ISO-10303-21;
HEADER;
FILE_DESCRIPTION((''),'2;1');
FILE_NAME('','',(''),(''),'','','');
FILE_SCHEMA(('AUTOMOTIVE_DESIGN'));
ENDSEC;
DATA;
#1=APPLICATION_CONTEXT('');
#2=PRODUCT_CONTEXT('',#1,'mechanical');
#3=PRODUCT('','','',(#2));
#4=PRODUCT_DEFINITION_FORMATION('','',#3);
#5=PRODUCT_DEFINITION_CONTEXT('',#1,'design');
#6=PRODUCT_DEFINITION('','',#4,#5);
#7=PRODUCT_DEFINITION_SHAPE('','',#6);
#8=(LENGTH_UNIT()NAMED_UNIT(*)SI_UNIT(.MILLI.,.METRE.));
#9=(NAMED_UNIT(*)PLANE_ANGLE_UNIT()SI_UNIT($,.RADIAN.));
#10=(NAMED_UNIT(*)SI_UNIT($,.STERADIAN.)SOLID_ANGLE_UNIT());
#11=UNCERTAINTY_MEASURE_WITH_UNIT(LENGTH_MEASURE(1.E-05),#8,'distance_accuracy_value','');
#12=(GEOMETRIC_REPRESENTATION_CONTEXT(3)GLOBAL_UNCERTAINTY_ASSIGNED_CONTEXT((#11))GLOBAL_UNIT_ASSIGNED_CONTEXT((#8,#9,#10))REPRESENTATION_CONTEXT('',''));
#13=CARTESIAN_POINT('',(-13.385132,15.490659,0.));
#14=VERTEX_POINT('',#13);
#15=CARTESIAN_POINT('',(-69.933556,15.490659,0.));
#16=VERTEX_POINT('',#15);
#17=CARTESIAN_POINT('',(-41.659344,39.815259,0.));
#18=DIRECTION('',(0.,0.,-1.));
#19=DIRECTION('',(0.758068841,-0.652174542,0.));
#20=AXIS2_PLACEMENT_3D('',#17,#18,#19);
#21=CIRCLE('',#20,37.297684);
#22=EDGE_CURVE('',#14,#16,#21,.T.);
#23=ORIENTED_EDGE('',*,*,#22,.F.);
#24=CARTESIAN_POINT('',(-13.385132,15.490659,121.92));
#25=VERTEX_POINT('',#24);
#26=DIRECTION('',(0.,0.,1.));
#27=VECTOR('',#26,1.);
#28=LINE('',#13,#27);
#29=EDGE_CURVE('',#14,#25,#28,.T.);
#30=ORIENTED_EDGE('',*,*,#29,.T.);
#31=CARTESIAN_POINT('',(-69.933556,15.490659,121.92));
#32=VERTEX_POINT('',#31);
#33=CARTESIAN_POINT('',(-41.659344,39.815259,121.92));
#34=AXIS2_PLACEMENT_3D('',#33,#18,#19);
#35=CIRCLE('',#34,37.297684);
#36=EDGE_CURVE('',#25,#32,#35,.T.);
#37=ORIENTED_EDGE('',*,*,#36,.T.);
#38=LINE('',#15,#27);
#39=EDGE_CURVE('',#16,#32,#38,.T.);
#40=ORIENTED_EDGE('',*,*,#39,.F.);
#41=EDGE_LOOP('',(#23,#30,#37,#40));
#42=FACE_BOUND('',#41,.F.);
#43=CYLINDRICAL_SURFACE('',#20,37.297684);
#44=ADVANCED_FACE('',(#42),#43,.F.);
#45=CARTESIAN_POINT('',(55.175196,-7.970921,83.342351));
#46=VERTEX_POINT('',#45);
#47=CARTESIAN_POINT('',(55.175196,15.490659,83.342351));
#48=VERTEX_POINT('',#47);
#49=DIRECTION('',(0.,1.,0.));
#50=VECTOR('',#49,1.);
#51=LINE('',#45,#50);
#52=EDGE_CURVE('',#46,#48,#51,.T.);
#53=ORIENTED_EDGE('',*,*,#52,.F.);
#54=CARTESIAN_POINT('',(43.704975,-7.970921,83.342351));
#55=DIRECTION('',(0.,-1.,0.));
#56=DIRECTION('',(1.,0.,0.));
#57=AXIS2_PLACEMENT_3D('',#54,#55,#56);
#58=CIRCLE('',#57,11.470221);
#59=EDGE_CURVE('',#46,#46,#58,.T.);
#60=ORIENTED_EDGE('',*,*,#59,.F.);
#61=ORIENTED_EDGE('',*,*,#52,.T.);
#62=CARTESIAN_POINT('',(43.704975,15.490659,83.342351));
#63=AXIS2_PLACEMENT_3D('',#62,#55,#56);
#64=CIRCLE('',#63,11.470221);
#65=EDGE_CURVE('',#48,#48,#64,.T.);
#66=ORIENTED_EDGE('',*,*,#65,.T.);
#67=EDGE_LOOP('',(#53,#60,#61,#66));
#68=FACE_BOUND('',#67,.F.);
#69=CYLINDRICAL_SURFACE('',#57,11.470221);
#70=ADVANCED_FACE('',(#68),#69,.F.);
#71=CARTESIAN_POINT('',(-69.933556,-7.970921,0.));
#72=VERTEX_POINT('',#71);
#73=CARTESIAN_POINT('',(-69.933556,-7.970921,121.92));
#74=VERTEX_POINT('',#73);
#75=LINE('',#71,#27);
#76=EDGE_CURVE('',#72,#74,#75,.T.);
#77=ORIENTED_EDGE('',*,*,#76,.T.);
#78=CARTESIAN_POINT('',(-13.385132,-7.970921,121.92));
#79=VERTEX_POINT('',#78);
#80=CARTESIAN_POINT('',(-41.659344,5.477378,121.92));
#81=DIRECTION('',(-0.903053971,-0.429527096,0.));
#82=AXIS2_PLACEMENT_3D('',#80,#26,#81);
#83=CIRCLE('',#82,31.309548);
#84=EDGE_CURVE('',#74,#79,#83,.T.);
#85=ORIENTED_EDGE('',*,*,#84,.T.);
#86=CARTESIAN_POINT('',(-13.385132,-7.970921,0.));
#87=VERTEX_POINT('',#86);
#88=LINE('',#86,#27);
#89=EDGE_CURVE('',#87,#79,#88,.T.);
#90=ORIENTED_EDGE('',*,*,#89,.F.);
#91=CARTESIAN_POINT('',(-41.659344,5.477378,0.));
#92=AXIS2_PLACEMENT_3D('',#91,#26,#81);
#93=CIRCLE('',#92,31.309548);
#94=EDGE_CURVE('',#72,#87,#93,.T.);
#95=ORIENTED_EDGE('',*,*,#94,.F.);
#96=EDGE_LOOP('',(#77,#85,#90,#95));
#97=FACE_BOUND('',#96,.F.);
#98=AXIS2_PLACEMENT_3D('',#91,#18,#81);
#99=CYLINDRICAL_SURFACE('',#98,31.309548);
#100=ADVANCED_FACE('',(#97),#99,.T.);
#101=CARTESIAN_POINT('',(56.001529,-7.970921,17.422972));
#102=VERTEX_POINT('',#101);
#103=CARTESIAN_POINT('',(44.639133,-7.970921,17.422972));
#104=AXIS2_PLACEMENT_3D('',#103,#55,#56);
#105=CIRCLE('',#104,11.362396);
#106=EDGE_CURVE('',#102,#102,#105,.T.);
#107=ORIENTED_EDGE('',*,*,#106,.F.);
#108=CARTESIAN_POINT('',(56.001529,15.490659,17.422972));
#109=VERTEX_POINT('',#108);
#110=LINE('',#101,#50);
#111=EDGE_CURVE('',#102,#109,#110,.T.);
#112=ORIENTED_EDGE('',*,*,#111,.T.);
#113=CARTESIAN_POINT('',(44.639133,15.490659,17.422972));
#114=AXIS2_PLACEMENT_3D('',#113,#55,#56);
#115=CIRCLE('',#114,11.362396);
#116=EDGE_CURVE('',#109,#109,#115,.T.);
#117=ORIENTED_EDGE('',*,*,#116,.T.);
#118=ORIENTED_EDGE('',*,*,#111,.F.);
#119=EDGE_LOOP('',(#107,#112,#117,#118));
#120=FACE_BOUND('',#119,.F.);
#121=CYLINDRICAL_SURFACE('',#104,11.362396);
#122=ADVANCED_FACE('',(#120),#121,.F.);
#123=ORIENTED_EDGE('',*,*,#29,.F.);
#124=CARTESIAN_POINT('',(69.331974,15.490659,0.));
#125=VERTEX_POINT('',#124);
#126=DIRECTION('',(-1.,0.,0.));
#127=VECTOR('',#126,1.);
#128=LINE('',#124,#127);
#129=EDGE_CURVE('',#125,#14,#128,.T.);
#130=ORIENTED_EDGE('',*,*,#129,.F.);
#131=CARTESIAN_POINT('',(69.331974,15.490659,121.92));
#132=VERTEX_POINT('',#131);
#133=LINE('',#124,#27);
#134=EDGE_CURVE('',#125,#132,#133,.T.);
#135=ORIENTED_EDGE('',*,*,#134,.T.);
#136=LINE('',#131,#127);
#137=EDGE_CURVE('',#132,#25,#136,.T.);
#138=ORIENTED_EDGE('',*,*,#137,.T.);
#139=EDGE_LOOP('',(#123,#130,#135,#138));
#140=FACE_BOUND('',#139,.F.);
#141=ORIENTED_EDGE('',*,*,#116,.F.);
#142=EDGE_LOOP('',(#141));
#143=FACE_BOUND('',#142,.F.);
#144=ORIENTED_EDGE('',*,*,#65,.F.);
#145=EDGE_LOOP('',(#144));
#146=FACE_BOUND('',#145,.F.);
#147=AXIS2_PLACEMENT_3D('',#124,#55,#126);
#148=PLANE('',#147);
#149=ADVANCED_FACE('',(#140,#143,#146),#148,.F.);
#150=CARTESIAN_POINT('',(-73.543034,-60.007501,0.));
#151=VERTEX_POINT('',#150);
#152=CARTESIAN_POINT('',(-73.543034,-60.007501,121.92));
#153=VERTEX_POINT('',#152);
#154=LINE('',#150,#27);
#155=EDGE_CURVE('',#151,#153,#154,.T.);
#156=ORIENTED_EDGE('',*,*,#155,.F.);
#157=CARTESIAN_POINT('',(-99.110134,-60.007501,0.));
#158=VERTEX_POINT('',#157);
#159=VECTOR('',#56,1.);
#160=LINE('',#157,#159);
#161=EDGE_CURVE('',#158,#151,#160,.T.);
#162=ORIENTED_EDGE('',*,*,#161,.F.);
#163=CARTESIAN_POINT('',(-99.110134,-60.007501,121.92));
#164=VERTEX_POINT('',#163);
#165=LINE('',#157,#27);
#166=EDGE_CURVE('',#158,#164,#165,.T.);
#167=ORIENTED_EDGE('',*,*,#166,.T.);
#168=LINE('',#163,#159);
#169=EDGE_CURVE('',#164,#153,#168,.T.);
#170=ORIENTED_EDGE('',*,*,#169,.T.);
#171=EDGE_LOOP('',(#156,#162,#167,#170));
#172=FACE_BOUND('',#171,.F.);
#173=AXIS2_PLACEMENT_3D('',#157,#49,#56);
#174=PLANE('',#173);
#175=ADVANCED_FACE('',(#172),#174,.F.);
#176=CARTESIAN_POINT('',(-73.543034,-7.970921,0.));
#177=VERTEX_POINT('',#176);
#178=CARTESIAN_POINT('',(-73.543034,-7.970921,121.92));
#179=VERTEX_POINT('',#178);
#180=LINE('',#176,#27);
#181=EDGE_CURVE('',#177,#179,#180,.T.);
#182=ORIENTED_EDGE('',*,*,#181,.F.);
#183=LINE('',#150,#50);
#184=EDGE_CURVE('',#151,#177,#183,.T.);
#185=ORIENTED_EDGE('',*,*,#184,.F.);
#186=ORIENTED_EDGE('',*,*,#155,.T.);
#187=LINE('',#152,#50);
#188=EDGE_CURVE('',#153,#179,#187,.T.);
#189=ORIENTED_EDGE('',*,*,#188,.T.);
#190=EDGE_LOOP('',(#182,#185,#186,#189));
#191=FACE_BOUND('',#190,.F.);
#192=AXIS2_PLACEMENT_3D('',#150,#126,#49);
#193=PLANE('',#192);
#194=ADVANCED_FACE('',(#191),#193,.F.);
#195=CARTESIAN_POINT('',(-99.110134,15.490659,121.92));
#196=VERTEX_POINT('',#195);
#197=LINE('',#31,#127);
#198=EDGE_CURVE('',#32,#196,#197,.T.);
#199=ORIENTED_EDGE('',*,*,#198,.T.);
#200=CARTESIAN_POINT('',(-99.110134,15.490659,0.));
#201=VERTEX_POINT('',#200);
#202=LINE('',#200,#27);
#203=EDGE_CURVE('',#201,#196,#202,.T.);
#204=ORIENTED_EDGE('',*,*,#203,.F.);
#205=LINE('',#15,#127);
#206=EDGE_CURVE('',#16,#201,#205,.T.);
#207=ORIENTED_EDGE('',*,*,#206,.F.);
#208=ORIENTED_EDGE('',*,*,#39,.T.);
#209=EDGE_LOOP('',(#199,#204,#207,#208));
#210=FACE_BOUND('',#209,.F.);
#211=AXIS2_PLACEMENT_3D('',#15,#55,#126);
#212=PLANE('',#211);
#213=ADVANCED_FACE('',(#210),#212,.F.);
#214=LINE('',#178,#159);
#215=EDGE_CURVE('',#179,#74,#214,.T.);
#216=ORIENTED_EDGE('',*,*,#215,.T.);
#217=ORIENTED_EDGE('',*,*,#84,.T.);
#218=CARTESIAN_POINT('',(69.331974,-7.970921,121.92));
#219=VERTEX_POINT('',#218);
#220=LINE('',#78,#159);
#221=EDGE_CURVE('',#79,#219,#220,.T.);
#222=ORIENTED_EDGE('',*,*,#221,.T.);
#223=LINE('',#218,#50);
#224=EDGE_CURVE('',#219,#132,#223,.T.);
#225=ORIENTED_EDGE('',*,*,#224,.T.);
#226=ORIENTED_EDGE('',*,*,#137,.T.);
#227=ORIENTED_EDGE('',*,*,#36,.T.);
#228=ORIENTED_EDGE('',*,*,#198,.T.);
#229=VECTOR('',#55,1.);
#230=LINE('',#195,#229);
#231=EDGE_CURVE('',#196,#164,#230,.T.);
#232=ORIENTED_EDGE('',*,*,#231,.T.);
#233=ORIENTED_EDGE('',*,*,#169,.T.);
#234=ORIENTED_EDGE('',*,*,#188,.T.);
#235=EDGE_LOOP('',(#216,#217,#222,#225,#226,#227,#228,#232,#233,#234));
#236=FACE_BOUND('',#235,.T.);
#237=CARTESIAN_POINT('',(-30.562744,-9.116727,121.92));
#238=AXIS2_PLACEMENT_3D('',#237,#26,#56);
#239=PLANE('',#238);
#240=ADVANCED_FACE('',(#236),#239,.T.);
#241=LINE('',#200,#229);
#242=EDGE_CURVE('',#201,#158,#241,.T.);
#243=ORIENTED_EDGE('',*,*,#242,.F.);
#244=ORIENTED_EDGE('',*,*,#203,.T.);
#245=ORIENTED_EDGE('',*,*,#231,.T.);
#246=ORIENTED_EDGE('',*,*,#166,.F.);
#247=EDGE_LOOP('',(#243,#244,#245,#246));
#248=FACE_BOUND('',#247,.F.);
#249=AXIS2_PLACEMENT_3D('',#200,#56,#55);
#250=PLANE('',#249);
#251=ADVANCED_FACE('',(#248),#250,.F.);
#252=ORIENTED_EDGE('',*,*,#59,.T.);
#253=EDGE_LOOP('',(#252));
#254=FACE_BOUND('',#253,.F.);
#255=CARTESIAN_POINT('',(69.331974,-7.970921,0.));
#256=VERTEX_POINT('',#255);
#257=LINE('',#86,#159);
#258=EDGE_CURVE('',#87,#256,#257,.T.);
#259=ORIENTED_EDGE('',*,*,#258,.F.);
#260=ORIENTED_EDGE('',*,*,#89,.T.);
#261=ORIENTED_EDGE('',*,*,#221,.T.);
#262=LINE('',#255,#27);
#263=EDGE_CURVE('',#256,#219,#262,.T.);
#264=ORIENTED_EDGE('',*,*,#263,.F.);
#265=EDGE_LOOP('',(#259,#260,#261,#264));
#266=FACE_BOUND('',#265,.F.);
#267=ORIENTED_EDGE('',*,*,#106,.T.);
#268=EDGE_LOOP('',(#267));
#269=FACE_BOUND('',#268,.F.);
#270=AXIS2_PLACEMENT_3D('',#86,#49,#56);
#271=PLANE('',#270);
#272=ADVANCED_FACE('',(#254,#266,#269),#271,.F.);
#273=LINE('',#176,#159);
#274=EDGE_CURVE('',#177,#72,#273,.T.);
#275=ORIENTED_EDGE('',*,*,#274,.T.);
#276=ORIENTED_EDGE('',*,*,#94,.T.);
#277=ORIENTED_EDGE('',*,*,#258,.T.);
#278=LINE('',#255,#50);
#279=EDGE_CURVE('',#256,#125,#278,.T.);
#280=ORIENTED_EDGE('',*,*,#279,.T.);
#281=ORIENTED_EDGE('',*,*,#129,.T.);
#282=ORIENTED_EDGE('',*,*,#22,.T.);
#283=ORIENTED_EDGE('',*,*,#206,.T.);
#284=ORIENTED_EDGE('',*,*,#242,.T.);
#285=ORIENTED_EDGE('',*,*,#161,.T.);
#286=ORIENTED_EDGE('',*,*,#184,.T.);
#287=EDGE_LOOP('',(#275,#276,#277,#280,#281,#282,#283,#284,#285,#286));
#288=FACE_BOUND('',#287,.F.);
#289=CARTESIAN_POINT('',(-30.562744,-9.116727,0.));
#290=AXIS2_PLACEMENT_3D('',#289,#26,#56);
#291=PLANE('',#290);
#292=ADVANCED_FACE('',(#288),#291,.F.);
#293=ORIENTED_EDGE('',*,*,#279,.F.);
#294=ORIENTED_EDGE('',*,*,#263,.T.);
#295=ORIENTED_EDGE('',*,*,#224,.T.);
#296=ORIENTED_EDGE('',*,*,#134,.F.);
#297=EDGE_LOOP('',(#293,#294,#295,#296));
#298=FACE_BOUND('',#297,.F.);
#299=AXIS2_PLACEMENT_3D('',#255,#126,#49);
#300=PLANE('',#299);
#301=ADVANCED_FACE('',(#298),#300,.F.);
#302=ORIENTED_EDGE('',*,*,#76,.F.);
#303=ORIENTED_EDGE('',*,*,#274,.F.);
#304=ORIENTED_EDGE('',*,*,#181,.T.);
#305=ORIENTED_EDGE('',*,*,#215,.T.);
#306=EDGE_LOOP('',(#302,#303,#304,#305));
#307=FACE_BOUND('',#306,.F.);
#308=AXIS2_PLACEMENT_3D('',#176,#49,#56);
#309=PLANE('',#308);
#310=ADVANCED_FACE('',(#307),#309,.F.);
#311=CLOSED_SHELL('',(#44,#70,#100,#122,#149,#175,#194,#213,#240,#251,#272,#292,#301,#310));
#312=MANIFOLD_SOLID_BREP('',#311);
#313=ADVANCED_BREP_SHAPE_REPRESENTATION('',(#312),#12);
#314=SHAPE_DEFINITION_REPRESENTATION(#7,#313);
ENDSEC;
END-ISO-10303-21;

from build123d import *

# Parameters (mm, degrees)
F1_DEPTH = 121.92
F2_R     = 11.470221
F2_R_2   = 11.362396
F3_DEPTH = 42.672


with BuildPart() as f1:
    # F0 (on Top) → F1 (new body)
    with BuildSketch(Plane.XY):
        with BuildLine():
            Line((-13.385132, -7.970921), (69.331974, -7.970921))
            Line((69.331974, -7.970921), (69.331974, 15.490659))
            Line((69.331974, 15.490659), (-13.385132, 15.490659))
            ThreePointArc((-13.385132, 15.490659), (-41.659344, 2.517575), (-69.933556, 15.490659))
            Line((-69.933556, 15.490659), (-99.110134, 15.490659))
            Line((-99.110134, 15.490659), (-99.110134, -60.007501))
            Line((-99.110134, -60.007501), (-73.543034, -60.007501))
            Line((-73.543034, -60.007501), (-73.543034, -7.970921))
            Line((-73.543034, -7.970921), (-69.933556, -7.970921))
            ThreePointArc((-69.933556, -7.970921), (-41.659344, -25.83217), (-13.385132, -7.970921))
        make_face()
    extrude(amount=F1_DEPTH)

    # F2 (on face) → F3 (cut)
    with BuildSketch(Plane.XZ.offset(7.970921)):
        with Locations((43.704975, 83.342351)):
            Circle(F2_R)
        with Locations((44.639133, 17.422972)):
            Circle(F2_R_2)
    extrude(amount=-F3_DEPTH, mode=Mode.SUBTRACT)


solid = f1.part
